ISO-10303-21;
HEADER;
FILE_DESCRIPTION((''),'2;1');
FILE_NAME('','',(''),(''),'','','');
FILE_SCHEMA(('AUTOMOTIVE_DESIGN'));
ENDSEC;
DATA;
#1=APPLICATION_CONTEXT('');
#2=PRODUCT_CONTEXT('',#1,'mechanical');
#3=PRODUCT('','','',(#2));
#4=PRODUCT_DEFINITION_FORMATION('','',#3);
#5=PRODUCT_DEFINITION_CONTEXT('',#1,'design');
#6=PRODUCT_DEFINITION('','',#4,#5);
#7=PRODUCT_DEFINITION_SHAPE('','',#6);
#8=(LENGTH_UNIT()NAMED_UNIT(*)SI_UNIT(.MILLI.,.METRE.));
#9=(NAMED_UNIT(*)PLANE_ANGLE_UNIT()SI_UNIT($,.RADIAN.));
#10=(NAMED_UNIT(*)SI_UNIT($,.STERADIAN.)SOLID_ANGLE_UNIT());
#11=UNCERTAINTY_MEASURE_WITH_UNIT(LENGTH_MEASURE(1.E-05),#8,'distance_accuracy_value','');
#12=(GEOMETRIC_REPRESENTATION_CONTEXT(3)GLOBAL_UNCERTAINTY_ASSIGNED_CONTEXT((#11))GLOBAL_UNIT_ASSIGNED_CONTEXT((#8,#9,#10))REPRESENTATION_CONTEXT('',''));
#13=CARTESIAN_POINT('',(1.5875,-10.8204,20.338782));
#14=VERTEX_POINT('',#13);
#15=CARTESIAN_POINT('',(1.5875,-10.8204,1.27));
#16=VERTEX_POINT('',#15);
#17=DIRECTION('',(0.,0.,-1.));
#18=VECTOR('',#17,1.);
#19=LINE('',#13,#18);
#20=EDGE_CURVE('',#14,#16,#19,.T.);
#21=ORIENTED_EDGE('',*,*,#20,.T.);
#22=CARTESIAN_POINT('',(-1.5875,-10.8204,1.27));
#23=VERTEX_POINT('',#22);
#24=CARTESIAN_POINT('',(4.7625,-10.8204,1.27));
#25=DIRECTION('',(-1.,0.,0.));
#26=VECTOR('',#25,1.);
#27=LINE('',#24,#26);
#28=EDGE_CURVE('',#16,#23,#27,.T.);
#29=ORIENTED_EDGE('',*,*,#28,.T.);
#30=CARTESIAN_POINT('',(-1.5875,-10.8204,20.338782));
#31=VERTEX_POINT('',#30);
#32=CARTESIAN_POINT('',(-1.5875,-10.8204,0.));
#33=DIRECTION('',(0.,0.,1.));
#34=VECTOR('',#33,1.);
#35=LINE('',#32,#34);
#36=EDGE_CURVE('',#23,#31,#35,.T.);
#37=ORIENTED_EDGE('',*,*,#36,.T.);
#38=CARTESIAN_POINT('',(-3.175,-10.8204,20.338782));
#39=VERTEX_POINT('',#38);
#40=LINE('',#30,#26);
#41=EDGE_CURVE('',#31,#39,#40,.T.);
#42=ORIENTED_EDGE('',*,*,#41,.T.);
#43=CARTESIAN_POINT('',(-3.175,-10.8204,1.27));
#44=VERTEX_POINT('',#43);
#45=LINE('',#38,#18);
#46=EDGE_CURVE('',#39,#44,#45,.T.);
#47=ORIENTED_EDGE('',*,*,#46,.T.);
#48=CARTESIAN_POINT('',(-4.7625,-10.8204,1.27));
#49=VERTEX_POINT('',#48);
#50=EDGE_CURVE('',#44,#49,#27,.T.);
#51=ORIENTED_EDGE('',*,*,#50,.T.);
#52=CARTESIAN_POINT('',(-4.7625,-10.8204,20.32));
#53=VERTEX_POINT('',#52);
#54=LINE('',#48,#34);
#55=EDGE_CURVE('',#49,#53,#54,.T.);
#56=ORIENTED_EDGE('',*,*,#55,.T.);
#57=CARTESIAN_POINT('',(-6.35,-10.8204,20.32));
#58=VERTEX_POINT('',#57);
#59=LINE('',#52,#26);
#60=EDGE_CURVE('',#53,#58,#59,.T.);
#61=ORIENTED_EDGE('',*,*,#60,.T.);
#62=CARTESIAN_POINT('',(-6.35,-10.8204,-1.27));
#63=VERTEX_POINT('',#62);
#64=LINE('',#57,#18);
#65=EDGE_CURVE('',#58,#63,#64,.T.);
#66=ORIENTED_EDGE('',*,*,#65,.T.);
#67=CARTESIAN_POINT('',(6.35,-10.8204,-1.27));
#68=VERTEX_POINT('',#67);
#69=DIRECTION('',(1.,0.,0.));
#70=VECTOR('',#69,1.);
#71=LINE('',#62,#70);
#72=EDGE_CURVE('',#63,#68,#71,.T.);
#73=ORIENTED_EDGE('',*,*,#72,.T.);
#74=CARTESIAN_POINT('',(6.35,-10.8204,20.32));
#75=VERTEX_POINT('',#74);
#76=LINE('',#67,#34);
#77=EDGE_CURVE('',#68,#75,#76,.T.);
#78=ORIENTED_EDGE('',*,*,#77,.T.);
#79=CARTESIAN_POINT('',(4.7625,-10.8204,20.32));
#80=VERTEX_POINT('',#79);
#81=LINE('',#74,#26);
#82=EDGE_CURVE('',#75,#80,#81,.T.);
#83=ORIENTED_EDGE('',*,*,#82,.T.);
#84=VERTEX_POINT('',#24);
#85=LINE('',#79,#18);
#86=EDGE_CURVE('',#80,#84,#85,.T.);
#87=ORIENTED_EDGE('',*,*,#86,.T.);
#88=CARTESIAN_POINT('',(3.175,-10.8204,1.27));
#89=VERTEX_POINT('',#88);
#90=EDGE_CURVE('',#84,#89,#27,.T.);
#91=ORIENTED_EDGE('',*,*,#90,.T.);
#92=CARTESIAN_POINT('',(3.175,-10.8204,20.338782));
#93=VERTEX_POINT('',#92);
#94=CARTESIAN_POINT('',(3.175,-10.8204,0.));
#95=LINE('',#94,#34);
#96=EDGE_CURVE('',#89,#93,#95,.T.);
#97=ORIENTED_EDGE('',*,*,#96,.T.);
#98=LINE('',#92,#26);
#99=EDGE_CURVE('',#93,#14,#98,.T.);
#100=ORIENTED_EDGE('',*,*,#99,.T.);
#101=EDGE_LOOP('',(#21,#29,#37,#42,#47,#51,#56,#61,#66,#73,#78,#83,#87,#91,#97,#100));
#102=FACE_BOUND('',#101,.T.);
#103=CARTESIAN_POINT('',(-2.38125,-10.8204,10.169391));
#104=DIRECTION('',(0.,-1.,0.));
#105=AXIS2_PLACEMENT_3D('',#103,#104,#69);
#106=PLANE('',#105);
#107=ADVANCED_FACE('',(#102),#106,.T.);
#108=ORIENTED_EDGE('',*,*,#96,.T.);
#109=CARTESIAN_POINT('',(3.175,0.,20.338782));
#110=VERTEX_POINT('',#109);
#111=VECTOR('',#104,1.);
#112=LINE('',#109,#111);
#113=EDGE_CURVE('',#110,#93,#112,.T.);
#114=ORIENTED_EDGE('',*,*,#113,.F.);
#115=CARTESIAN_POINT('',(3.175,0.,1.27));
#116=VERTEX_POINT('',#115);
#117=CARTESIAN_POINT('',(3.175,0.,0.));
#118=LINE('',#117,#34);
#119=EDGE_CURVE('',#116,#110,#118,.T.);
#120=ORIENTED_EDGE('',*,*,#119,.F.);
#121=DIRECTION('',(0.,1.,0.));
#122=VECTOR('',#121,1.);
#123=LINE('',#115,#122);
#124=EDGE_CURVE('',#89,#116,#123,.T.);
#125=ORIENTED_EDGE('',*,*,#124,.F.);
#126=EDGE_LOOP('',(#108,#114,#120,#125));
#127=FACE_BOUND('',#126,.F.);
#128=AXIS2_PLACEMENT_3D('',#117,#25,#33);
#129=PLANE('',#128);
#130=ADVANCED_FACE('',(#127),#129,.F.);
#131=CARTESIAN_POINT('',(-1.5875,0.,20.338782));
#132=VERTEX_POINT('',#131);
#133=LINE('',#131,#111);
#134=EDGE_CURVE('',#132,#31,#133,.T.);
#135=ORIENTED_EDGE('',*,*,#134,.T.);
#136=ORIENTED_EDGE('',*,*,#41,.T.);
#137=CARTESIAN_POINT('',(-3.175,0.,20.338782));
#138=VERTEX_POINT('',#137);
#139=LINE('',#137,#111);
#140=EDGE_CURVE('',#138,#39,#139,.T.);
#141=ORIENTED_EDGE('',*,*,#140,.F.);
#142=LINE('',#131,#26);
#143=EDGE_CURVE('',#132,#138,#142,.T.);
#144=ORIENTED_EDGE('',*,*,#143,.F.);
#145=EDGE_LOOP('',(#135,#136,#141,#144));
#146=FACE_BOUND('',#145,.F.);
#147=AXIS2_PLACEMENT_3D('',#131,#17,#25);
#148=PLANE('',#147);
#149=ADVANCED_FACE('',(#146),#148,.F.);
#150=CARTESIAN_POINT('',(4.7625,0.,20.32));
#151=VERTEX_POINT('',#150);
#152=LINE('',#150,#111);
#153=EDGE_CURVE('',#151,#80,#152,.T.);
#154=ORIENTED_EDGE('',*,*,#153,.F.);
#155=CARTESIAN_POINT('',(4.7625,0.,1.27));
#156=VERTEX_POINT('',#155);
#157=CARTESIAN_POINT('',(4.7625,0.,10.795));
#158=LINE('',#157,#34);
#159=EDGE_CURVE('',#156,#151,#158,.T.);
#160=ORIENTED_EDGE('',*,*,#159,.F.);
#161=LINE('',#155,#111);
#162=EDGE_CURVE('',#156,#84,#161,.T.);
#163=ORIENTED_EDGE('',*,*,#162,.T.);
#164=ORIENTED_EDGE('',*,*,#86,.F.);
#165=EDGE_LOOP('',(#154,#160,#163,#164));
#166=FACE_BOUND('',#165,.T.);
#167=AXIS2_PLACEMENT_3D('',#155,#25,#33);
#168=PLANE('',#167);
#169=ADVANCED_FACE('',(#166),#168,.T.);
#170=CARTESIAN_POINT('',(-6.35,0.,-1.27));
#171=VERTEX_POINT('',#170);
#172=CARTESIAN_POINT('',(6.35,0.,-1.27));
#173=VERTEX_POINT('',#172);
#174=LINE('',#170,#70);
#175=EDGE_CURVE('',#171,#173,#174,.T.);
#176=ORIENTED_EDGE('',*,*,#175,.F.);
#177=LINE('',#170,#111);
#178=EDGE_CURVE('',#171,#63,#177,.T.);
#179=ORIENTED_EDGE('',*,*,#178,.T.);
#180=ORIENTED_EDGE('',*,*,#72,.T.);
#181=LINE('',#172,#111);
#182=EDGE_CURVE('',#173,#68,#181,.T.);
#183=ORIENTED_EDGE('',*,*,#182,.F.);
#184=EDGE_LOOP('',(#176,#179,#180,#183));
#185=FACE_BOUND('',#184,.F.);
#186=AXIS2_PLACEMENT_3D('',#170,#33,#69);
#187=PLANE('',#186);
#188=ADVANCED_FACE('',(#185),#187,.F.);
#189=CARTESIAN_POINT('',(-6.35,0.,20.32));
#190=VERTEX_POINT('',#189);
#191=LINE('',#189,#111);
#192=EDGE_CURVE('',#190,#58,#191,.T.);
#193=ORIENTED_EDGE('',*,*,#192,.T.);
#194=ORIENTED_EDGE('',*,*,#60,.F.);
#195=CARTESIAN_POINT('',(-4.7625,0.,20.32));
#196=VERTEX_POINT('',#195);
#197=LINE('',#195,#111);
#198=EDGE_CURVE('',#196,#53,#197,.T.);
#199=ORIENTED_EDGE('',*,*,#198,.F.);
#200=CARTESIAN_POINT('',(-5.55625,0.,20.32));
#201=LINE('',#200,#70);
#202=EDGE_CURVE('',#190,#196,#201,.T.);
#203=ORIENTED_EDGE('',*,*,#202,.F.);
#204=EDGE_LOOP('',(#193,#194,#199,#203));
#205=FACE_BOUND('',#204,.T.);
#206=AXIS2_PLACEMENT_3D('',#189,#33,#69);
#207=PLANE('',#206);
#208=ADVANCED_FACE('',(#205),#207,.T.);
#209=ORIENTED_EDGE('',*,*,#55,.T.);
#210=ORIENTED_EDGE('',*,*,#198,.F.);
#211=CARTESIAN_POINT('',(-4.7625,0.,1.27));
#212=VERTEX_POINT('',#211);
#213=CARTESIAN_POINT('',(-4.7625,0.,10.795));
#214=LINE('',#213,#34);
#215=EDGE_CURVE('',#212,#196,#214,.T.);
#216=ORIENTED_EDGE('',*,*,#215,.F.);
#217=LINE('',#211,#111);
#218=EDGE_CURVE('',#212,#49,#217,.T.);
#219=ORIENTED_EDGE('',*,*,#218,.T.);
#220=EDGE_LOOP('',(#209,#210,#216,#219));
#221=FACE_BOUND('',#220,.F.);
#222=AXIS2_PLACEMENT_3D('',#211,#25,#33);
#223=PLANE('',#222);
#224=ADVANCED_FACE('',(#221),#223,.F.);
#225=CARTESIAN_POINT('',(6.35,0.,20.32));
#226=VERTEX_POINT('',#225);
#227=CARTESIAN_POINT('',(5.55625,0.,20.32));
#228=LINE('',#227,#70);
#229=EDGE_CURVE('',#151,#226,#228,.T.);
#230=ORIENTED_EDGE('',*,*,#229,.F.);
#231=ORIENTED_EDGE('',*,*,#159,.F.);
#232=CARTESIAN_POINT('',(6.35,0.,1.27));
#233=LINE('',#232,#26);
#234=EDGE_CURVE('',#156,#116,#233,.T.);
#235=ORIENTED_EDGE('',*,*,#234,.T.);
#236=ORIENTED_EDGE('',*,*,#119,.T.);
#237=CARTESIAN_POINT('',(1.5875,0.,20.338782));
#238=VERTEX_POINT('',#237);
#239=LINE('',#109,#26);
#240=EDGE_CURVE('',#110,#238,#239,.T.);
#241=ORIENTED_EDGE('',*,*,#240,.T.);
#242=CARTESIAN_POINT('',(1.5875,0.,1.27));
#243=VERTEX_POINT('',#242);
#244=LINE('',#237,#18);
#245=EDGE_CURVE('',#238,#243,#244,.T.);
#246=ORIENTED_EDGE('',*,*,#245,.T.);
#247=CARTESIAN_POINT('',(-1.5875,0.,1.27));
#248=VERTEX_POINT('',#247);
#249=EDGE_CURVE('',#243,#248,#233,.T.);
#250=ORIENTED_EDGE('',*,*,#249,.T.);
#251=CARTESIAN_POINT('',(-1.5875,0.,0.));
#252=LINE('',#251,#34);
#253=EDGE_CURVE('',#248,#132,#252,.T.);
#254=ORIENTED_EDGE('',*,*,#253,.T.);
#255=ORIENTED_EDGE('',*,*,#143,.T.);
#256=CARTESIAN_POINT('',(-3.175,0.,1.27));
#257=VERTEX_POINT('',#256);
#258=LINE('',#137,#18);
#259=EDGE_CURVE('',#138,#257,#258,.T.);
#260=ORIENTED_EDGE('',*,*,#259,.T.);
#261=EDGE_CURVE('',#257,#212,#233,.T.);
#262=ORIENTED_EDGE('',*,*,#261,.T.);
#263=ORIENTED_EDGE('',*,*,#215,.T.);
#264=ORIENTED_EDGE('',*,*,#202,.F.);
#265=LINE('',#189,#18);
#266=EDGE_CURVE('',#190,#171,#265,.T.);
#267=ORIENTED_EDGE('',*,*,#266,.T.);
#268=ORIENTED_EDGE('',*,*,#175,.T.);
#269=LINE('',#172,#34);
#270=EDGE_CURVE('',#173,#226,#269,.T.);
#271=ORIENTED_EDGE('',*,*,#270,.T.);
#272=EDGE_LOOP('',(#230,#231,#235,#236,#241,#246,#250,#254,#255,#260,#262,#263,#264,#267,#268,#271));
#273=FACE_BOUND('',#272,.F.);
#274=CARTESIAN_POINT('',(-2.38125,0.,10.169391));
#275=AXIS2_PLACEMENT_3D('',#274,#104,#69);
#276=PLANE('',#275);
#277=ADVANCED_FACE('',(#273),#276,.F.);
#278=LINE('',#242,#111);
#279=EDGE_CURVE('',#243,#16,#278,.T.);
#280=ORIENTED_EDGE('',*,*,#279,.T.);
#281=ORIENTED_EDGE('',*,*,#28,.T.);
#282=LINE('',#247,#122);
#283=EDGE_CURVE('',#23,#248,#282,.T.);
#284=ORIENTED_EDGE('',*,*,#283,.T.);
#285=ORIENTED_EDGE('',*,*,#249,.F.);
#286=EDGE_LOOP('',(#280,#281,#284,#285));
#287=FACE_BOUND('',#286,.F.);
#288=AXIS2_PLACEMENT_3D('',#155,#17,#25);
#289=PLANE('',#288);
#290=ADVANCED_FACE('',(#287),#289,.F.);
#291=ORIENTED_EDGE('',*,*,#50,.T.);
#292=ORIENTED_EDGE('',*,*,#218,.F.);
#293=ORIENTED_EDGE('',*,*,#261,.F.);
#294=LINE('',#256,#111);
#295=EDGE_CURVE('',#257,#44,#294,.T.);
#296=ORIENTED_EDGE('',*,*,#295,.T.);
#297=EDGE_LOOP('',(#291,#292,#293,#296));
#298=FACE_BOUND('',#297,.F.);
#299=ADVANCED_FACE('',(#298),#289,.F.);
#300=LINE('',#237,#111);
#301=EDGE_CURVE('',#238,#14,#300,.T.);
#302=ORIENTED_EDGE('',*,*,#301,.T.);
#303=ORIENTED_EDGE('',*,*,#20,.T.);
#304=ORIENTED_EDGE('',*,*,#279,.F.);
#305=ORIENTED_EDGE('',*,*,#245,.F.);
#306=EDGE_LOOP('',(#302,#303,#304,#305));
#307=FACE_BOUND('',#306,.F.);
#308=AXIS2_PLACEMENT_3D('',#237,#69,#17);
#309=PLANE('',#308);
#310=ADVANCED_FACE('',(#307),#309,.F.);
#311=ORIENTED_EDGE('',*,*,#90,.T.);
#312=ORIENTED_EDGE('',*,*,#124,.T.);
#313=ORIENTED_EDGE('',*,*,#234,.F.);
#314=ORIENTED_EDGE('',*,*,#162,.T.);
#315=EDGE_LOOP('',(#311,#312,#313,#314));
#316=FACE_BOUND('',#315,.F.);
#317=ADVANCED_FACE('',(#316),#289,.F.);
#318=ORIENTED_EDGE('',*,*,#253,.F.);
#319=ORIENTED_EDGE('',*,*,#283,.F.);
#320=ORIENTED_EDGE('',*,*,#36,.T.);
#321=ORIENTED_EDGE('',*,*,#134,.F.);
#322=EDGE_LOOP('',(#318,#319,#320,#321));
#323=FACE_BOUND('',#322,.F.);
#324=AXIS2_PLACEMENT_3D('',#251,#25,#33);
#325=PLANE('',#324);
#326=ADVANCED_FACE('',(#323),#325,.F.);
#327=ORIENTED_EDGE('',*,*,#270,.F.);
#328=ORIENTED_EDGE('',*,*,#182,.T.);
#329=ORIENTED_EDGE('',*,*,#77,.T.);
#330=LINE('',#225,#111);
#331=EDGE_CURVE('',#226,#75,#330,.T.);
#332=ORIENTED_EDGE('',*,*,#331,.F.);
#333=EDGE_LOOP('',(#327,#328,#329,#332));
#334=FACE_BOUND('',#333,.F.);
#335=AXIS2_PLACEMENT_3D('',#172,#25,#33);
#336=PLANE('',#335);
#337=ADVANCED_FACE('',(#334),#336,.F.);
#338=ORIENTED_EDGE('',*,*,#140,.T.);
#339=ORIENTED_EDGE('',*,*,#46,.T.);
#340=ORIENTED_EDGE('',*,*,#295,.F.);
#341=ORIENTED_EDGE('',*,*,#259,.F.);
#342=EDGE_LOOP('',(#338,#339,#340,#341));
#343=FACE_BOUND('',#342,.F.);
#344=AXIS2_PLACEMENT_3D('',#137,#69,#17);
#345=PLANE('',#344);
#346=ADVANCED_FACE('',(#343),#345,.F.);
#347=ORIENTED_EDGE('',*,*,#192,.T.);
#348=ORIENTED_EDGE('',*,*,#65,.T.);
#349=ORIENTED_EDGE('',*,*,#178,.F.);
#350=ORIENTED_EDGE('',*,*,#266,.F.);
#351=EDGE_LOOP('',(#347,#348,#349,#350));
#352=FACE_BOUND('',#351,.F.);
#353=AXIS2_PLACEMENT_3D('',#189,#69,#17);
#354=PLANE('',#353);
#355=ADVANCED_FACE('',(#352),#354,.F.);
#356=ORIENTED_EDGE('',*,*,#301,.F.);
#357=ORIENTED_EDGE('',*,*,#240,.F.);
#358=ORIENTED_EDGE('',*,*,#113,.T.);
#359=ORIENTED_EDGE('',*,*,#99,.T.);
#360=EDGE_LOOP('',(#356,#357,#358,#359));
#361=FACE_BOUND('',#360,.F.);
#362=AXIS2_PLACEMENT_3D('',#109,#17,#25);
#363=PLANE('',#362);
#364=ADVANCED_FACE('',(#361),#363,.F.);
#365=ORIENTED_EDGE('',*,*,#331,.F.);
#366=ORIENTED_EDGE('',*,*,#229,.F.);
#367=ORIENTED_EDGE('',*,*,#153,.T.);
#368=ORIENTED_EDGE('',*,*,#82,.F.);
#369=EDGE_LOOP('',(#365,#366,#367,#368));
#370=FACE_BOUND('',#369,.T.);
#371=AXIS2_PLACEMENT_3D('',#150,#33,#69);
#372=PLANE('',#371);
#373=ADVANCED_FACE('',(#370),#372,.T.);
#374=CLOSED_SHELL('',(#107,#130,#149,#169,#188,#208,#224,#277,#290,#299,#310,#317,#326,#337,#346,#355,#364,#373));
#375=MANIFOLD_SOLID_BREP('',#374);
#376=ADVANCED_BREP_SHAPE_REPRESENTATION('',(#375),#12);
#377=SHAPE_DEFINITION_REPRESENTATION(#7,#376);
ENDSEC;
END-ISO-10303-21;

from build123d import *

# Parameters (mm, degrees)
F0_W     = 1.5875
F0_H     = 19.05
F1_DEPTH = 30.48
F2_DEPTH = 19.6596
F4_DEPTH = 10.8204


with BuildPart() as f1:
    # F0 (on Front) → F1 (new body)
    with BuildSketch(Plane.XZ):
        with Locations((-5.55625, 10.795)):
            Rectangle(F0_W, F0_H)
        Polygon((-4.7625, 1.27), (-6.35, 1.27), (-6.35, -1.27), (6.35, -1.27), (6.35, 1.27), (4.7625, 1.27), align=None)
        with Locations((5.55625, 10.795)):
            Rectangle(F0_W, F0_H)
    extrude(amount=F1_DEPTH)

    # F1_face (on face) → F2 (cut)
    with BuildSketch(Plane(origin=(0, -30.48, 7.040217), x_dir=(1, 0, 0), z_dir=(0, -1, 0))):
        Polygon((-6.35, 13.279783), (-6.35, -8.310217), (6.35, -8.310217), (6.35, 13.279783), (4.7625, 13.279783), (4.7625, -5.770217), (-4.7625, -5.770217), (-4.7625, 13.279783), align=None)
    extrude(amount=-F2_DEPTH, mode=Mode.SUBTRACT)

    # F3 (on Front) → F4 (join)
    with BuildSketch(Plane.XZ):
        Polygon((-1.5875, 20.338782), (-3.175, 20.338782), (-3.175, 1.288782), (-3.175, 0), (-1.5875, 0), (-1.5875, 1.288782), align=None)
        Polygon((3.175, 20.338782), (1.5875, 20.338782), (1.5875, 1.288782), (1.5875, 0), (3.175, 0), (3.175, 1.288782), align=None)
    extrude(amount=F4_DEPTH)


solid = f1.part
